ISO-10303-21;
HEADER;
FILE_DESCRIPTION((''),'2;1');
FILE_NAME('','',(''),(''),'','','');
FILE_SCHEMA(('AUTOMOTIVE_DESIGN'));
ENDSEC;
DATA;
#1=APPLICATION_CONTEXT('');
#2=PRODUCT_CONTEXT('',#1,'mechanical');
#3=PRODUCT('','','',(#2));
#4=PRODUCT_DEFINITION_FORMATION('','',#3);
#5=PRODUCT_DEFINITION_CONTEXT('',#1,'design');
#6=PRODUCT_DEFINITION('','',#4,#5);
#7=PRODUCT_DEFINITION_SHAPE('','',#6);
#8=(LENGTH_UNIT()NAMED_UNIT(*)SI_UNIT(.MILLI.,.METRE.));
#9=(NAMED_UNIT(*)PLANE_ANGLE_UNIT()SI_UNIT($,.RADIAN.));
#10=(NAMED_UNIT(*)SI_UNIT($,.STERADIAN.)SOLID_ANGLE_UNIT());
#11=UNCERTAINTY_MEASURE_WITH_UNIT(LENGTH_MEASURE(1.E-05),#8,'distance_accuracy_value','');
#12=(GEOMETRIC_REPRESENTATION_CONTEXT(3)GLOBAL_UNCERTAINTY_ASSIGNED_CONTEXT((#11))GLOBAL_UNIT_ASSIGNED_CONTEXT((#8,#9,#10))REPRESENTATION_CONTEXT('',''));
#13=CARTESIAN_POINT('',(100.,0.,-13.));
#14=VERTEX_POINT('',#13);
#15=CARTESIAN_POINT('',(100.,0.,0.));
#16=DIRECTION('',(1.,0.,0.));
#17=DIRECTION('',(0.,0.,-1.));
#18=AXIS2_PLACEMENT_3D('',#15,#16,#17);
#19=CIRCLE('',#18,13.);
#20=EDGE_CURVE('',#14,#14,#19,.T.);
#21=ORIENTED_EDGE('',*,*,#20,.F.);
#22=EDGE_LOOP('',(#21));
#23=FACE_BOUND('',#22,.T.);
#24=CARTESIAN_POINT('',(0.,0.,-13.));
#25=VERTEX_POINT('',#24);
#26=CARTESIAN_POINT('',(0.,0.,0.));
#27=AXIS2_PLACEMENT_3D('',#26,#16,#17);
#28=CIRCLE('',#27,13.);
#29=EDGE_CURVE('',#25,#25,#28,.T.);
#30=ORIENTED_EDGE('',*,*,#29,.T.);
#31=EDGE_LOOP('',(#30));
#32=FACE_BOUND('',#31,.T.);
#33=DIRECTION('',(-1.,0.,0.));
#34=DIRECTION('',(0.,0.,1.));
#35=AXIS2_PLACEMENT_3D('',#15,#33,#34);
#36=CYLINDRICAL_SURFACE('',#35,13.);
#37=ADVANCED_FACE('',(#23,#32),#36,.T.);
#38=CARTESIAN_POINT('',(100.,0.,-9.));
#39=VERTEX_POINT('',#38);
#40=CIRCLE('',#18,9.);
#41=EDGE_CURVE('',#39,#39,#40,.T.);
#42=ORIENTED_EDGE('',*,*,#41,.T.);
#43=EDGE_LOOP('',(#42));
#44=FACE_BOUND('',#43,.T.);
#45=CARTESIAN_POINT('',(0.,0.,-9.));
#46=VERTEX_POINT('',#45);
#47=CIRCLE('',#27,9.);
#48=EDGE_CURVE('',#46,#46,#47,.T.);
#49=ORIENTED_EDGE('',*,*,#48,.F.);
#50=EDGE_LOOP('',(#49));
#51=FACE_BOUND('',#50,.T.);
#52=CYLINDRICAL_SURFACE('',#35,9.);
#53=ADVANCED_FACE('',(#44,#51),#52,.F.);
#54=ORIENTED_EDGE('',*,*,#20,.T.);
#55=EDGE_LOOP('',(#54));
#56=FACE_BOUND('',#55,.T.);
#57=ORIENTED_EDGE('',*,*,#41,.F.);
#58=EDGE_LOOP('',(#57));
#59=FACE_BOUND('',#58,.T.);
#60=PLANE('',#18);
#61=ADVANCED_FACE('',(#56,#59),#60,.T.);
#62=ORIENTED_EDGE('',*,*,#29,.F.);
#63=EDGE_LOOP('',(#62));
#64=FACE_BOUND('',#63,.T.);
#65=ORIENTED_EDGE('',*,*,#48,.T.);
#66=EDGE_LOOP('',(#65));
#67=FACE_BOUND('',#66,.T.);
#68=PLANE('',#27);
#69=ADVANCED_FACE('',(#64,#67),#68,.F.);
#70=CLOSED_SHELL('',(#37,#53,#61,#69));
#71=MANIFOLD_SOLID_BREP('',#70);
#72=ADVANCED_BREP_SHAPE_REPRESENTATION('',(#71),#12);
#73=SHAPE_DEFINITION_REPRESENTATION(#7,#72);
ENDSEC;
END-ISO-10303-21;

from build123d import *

# Parameters (mm, degrees)
SKETCH_1_R      = 13
SKETCH_1_R_2    = 9
EXTRUDE_1_DEPTH = 100


with BuildPart() as part:
    # Эскиз1 → Бобышка-Вытянуть1 (new body)
    with BuildSketch(Plane(origin=(0, 0, 0), x_dir=(0, 0, -1), z_dir=(1, 0, 0))):
        Circle(SKETCH_1_R)
        Circle(SKETCH_1_R_2, mode=Mode.SUBTRACT)
    extrude(amount=EXTRUDE_1_DEPTH)


solid = part.part
